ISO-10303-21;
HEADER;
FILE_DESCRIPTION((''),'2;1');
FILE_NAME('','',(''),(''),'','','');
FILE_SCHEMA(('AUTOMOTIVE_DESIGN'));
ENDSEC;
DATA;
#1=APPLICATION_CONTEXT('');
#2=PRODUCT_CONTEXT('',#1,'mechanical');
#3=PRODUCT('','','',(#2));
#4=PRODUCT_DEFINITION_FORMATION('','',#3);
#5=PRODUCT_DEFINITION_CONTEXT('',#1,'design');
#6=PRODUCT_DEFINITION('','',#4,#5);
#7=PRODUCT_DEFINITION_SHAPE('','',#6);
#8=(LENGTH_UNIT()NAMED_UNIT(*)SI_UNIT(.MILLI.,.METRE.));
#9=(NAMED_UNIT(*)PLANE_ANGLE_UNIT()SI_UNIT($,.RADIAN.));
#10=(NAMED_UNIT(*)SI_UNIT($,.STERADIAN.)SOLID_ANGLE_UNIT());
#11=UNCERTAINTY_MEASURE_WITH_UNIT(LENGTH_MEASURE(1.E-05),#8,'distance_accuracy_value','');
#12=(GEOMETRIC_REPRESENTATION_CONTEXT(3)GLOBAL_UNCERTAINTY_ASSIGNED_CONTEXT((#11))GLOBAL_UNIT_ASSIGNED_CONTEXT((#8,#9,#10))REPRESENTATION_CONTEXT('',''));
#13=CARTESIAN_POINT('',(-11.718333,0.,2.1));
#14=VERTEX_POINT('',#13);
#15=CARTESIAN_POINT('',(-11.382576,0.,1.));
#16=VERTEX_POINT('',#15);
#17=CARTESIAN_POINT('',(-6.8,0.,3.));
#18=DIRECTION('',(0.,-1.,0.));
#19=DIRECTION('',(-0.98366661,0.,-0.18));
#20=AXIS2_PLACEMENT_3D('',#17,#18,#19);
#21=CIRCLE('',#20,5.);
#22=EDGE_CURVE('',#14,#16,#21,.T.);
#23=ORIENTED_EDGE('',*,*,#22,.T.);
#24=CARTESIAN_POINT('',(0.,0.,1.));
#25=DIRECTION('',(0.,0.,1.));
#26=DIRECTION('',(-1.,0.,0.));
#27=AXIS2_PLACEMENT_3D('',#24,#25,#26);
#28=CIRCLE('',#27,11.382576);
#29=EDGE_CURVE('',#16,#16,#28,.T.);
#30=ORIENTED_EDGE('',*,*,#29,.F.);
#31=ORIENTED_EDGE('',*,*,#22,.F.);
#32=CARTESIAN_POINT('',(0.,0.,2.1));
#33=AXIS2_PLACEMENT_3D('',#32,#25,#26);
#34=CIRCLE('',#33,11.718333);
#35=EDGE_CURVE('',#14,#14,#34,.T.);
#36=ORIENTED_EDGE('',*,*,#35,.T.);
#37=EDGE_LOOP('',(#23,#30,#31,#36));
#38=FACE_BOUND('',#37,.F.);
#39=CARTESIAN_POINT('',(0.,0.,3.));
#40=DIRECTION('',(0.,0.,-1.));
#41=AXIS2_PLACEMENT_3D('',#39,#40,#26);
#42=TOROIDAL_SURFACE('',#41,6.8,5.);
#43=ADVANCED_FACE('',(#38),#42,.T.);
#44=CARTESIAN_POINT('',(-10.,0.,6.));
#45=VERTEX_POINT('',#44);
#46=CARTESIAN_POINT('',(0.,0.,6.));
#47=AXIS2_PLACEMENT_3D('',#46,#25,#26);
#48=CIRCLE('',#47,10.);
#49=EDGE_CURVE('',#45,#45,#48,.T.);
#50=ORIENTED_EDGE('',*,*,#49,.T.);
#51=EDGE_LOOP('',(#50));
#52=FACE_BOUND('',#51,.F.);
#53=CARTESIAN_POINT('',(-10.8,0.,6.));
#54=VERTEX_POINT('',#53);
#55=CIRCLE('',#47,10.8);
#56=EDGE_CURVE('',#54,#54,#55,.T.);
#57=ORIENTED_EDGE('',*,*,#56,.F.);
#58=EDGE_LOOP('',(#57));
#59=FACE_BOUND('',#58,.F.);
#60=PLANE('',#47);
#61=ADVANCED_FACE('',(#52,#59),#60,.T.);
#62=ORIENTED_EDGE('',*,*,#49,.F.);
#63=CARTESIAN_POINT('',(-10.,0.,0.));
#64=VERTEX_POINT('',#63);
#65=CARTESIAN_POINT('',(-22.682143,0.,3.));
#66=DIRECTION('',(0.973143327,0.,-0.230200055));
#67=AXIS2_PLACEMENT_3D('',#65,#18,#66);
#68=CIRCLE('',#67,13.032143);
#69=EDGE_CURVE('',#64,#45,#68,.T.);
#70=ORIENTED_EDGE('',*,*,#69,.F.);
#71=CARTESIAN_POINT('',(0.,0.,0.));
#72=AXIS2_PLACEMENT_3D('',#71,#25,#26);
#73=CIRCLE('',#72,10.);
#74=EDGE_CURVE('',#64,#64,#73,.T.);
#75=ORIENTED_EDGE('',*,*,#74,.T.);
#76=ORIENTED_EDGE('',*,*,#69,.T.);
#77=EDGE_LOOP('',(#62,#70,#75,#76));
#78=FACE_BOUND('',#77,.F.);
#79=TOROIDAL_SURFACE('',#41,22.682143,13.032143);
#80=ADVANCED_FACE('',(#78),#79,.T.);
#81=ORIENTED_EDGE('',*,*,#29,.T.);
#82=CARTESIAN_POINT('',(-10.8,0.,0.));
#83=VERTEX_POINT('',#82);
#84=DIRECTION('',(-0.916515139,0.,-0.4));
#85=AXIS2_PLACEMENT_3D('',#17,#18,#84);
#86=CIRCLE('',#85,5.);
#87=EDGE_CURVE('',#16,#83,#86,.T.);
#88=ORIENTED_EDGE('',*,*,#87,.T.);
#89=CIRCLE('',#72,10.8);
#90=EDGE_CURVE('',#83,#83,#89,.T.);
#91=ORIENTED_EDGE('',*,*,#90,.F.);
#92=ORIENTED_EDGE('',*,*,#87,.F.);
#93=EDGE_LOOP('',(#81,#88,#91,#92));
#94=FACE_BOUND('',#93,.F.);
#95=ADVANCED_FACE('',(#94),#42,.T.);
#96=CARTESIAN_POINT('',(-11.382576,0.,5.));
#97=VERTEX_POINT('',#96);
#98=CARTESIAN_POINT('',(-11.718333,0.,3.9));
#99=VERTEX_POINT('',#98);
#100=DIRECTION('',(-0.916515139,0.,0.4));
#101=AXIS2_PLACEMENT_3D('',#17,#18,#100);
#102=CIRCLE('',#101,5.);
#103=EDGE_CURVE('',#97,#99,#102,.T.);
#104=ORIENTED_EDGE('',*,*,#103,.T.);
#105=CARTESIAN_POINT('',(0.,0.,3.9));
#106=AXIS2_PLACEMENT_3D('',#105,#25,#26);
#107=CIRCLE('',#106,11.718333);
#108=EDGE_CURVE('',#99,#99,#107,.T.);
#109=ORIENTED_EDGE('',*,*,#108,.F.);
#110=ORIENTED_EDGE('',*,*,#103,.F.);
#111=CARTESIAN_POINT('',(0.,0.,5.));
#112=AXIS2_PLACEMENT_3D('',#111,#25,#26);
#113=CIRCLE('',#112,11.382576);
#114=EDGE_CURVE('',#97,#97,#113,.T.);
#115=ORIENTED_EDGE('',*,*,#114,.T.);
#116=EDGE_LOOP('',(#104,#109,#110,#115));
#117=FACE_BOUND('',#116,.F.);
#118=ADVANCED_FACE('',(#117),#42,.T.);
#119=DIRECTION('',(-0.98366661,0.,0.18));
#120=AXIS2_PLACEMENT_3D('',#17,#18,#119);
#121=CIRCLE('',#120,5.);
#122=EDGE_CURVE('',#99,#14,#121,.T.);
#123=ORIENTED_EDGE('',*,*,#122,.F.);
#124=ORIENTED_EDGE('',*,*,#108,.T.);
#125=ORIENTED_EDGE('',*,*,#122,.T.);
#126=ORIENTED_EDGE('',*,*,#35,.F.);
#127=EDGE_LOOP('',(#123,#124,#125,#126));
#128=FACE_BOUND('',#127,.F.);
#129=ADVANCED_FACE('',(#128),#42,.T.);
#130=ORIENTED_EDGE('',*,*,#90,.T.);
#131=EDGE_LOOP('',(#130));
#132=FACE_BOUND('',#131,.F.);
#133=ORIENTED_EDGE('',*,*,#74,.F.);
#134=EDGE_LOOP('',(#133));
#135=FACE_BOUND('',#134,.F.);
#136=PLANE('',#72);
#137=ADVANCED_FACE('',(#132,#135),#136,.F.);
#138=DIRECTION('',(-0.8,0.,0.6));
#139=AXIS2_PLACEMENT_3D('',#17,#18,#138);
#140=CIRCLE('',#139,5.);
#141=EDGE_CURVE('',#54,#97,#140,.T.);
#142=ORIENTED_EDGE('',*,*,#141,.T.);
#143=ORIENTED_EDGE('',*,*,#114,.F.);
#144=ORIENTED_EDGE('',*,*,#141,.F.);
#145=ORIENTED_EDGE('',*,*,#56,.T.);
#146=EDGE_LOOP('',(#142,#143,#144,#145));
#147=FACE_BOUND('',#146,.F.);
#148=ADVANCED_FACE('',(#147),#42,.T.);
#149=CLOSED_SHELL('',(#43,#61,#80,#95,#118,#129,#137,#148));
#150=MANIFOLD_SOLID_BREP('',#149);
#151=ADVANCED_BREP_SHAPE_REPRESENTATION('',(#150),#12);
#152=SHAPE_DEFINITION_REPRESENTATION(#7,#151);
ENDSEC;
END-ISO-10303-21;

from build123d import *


with BuildPart() as f1:
    # F0 (on Front) → F1 (revolve)
    with BuildSketch(Plane.XZ):
        with BuildLine():
            Line((-10, 6), (-10.8, 6))
            ThreePointArc((-10.8, 6), (-11.1203184362, 5.5169125154), (-11.382575695, 5))
            ThreePointArc((-11.382575695, 5), (-11.376495427, 4.396901822), (-11.7183330509, 3.9))
            ThreePointArc((-11.7183330509, 3.9), (-11.8, 3), (-11.7183330509, 2.1))
            ThreePointArc((-11.7183330509, 2.1), (-11.376495427, 1.603098178), (-11.382575695, 1))
            ThreePointArc((-11.382575695, 1), (-11.1203184362, 0.4830874846), (-10.8, 0))
            Line((-10.8, 0), (-10, 0))
            ThreePointArc((-10, 0), (-9.65, 3), (-10, 6))
        make_face()
        with BuildLine():
            ThreePointArc((-11.7183330509, 3.9), (-11.376495427, 4.396901822), (-11.382575695, 5))
            ThreePointArc((-11.382575695, 5), (-11.582187444, 4.4596860109), (-11.7183330509, 3.9))
        make_face()
        with BuildLine():
            ThreePointArc((-11.382575695, 1), (-11.376495427, 1.603098178), (-11.7183330509, 2.1))
            ThreePointArc((-11.7183330509, 2.1), (-11.582187444, 1.5403139891), (-11.382575695, 1))
        make_face()
    revolve(axis=Axis((0, 0, 3), (0, 0, 1)))


solid = f1.part
